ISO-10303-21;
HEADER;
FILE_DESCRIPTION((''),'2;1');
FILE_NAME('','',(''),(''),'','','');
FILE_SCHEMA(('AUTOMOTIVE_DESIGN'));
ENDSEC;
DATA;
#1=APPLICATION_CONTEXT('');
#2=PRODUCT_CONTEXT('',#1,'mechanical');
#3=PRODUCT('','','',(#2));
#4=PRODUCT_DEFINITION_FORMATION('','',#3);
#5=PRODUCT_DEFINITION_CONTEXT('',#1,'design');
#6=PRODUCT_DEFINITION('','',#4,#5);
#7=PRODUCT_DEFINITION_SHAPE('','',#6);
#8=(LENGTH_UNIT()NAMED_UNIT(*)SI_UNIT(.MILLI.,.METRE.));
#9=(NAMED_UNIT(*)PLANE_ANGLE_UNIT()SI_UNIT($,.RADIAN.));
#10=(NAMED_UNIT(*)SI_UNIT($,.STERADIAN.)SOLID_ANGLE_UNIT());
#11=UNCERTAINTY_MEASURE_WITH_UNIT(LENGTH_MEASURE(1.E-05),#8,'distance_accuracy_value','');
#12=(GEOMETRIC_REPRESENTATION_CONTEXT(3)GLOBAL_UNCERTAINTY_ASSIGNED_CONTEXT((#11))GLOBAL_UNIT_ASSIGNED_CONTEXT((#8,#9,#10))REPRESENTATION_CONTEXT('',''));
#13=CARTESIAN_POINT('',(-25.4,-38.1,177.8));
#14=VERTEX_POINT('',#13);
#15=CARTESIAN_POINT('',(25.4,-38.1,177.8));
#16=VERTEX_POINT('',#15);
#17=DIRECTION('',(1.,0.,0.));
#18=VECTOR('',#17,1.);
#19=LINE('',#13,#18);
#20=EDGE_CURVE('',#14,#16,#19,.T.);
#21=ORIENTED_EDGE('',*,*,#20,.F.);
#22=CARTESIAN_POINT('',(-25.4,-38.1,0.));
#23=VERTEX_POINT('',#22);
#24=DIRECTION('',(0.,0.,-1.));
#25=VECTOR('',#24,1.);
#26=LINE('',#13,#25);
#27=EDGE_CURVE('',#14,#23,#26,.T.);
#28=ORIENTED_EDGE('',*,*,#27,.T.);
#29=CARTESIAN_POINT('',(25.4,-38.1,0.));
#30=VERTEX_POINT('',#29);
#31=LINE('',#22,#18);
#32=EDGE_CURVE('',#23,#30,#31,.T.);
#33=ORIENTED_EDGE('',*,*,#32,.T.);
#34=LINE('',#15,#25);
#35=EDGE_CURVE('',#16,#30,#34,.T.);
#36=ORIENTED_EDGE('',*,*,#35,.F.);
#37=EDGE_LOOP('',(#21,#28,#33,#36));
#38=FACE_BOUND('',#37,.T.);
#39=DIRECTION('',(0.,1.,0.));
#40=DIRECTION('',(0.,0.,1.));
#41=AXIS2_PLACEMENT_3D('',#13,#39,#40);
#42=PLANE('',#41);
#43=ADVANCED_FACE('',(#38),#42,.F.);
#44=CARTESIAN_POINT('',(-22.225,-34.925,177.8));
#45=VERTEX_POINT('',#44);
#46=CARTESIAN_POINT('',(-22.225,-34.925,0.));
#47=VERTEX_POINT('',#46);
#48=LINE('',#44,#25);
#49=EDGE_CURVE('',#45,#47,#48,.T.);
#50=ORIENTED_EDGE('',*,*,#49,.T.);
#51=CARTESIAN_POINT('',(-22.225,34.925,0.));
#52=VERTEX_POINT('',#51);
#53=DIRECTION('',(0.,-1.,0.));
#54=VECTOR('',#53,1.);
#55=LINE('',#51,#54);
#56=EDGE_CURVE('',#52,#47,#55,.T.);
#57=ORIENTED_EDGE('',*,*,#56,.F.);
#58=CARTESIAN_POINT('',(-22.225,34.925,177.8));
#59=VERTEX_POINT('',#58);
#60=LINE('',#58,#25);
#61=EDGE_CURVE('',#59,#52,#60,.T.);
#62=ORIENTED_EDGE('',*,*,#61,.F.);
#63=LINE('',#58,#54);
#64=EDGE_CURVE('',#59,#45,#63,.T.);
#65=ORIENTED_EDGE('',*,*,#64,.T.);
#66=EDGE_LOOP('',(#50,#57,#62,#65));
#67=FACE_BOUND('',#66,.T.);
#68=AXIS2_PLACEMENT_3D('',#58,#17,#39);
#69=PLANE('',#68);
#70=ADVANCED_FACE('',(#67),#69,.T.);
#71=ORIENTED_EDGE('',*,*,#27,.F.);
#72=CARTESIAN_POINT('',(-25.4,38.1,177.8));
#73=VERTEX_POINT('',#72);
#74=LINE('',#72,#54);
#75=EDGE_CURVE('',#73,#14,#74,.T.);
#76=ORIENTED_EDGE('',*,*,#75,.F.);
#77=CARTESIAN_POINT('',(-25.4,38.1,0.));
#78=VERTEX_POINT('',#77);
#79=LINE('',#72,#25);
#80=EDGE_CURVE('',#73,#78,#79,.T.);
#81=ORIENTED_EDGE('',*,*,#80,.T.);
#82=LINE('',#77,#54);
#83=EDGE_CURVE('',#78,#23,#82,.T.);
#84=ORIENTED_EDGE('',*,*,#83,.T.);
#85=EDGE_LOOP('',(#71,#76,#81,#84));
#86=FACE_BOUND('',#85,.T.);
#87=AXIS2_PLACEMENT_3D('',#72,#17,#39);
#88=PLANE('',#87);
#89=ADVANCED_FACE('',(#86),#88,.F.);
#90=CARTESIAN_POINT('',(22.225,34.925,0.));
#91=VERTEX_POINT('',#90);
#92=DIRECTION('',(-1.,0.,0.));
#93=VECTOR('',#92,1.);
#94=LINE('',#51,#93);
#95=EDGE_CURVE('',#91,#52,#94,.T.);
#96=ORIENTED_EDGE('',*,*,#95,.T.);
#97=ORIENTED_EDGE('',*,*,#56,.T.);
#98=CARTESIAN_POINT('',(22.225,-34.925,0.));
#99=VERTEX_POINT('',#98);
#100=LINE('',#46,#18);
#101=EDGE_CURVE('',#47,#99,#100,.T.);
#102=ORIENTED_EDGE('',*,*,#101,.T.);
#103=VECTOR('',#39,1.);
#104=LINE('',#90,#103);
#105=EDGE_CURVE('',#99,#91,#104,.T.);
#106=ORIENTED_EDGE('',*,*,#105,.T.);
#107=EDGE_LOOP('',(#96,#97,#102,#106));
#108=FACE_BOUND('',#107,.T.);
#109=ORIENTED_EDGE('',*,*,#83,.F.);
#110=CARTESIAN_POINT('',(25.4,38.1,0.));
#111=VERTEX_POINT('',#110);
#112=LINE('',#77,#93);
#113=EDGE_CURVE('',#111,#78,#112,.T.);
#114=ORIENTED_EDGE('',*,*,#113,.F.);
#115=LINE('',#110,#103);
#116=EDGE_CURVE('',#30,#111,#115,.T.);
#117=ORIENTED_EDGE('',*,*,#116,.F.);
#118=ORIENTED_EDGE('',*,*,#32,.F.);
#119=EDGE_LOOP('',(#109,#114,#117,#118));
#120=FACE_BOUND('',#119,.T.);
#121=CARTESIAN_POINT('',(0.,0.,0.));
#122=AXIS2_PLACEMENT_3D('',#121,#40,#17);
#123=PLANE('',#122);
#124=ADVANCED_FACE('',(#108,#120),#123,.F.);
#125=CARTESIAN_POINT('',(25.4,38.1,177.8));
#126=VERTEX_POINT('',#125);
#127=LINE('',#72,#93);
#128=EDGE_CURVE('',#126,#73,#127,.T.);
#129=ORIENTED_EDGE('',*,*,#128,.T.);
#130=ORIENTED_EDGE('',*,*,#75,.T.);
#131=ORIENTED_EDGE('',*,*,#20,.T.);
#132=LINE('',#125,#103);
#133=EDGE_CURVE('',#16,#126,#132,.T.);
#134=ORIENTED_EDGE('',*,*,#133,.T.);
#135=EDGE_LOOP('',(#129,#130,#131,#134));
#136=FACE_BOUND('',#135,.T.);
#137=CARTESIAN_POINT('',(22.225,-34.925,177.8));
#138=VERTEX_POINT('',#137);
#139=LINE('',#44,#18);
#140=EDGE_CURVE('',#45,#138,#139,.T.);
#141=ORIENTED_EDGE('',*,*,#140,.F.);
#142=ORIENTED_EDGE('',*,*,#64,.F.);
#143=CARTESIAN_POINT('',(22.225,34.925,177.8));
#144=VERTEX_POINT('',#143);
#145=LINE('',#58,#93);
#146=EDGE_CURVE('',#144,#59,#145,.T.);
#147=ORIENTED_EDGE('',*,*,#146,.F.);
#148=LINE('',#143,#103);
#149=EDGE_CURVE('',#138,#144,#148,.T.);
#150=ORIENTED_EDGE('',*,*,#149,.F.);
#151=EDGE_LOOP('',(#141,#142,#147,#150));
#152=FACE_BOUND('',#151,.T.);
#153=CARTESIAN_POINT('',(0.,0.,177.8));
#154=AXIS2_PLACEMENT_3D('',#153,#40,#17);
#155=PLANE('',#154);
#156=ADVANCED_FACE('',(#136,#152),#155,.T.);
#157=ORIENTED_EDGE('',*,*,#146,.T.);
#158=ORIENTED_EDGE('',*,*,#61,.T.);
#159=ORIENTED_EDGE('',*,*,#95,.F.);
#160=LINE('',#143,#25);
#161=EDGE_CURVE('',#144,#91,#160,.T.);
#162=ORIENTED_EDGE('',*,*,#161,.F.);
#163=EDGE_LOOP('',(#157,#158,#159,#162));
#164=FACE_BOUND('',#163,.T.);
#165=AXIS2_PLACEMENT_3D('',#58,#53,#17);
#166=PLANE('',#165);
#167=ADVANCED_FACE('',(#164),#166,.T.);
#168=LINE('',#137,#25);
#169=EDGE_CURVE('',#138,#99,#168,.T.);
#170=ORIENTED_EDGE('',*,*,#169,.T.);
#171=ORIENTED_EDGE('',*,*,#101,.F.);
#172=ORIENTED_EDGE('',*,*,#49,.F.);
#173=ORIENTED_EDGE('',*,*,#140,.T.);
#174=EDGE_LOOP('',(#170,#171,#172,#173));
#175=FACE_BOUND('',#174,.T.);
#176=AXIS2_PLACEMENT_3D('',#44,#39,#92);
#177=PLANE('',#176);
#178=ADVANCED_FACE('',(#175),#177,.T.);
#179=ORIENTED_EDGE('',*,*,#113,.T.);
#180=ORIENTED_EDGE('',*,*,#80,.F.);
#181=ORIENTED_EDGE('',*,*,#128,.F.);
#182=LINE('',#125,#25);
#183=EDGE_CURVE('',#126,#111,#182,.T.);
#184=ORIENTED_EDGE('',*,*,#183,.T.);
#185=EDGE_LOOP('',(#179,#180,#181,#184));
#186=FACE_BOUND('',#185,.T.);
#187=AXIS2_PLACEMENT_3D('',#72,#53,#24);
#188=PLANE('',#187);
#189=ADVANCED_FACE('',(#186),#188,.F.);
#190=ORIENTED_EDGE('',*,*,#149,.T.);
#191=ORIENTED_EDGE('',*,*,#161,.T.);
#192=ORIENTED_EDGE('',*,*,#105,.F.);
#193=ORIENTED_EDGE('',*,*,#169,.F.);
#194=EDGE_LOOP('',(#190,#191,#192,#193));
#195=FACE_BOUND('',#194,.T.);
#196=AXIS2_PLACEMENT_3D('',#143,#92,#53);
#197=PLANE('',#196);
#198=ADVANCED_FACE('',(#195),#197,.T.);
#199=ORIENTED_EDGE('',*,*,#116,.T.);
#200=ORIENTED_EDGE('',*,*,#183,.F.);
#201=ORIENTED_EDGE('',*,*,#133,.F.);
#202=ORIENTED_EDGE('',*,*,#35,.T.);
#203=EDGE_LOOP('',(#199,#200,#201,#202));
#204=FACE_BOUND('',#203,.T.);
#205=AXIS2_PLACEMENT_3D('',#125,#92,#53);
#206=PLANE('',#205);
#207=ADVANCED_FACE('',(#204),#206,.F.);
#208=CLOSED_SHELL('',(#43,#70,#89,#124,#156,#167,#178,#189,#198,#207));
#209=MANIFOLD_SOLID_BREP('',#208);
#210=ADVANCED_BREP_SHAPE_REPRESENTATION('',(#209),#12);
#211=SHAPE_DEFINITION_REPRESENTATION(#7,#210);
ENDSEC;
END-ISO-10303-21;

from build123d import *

# Parameters (mm, degrees)
SKETCH1_W           = 50.8
SKETCH1_H           = 76.2
SKETCH1_W_2         = 44.45
SKETCH1_H_2         = 69.85
BOSS_EXTRUDE1_DEPTH = 177.8


with BuildPart() as part:
    # Sketch1 → Boss-Extrude1 (new body)
    with BuildSketch(Plane.XY):
        Rectangle(SKETCH1_W, SKETCH1_H)
        Rectangle(SKETCH1_W_2, SKETCH1_H_2, mode=Mode.SUBTRACT)
    extrude(amount=BOSS_EXTRUDE1_DEPTH)


solid = part.part
